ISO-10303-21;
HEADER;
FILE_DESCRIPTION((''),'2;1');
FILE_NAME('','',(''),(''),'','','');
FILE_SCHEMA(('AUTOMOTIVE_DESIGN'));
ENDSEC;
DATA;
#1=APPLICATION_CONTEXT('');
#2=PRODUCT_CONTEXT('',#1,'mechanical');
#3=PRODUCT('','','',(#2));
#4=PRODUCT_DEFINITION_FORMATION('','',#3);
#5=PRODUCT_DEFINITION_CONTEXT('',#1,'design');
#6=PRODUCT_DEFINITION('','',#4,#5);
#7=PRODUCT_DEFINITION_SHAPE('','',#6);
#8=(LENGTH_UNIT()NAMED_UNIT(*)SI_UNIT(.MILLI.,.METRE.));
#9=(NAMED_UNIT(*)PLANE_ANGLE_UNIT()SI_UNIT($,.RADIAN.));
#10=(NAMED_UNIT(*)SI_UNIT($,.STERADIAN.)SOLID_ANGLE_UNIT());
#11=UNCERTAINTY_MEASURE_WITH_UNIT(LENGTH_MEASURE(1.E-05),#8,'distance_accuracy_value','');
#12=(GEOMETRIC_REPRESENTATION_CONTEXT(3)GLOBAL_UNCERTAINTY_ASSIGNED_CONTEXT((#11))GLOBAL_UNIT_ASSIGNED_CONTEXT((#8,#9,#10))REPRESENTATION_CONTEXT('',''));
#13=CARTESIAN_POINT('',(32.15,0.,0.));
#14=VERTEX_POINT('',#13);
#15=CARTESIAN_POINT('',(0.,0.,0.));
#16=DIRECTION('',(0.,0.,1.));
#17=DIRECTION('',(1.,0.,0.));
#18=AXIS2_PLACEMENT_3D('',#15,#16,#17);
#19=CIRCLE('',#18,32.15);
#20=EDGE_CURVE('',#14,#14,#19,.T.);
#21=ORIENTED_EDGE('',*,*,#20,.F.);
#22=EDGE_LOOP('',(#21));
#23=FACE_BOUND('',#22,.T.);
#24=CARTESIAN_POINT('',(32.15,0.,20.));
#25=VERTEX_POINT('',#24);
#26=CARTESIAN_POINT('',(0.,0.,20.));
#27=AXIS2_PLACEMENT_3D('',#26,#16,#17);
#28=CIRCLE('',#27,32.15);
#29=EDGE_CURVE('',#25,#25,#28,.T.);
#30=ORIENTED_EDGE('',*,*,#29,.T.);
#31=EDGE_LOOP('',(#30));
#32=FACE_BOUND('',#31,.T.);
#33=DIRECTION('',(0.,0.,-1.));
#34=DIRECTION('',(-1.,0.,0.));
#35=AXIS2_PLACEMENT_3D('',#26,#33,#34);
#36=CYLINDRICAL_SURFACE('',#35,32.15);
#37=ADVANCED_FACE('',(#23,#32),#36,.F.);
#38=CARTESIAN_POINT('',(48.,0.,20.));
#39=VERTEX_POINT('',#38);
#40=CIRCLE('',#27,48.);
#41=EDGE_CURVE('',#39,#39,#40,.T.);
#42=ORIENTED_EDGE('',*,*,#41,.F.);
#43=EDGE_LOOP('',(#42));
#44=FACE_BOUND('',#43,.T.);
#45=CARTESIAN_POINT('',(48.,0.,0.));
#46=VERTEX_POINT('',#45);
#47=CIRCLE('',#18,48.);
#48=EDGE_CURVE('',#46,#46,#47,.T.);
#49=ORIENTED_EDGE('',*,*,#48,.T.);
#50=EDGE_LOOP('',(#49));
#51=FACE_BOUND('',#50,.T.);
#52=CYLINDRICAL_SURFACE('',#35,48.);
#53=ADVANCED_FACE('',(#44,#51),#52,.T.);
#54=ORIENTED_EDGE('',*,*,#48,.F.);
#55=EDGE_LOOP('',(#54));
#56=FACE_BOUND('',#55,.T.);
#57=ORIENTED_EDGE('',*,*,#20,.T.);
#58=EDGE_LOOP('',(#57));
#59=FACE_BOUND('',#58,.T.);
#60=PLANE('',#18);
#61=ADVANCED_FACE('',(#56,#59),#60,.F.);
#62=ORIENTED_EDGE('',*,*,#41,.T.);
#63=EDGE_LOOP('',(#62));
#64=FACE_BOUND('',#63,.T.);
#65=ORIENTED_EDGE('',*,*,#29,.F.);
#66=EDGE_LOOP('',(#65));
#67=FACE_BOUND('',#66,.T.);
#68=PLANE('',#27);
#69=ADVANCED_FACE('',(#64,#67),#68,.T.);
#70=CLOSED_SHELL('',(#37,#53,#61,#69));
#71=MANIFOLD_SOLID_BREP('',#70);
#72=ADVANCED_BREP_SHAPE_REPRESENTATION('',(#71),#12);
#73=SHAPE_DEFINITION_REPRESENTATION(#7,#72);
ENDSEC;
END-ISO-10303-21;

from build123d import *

# Parameters (mm, degrees)
EXTRUDE_SKETCH_1_R   = 48
EXTRUDE_SKETCH_1_R_2 = 32.15
EXTRUDE_1_DEPTH      = 20


with BuildPart() as part:
    # Extrude sketch 1 → Extrude 1 (new body)
    with BuildSketch(Plane.XY):
        Circle(EXTRUDE_SKETCH_1_R)
        Circle(EXTRUDE_SKETCH_1_R_2, mode=Mode.SUBTRACT)
    extrude(amount=EXTRUDE_1_DEPTH)


solid = part.part
